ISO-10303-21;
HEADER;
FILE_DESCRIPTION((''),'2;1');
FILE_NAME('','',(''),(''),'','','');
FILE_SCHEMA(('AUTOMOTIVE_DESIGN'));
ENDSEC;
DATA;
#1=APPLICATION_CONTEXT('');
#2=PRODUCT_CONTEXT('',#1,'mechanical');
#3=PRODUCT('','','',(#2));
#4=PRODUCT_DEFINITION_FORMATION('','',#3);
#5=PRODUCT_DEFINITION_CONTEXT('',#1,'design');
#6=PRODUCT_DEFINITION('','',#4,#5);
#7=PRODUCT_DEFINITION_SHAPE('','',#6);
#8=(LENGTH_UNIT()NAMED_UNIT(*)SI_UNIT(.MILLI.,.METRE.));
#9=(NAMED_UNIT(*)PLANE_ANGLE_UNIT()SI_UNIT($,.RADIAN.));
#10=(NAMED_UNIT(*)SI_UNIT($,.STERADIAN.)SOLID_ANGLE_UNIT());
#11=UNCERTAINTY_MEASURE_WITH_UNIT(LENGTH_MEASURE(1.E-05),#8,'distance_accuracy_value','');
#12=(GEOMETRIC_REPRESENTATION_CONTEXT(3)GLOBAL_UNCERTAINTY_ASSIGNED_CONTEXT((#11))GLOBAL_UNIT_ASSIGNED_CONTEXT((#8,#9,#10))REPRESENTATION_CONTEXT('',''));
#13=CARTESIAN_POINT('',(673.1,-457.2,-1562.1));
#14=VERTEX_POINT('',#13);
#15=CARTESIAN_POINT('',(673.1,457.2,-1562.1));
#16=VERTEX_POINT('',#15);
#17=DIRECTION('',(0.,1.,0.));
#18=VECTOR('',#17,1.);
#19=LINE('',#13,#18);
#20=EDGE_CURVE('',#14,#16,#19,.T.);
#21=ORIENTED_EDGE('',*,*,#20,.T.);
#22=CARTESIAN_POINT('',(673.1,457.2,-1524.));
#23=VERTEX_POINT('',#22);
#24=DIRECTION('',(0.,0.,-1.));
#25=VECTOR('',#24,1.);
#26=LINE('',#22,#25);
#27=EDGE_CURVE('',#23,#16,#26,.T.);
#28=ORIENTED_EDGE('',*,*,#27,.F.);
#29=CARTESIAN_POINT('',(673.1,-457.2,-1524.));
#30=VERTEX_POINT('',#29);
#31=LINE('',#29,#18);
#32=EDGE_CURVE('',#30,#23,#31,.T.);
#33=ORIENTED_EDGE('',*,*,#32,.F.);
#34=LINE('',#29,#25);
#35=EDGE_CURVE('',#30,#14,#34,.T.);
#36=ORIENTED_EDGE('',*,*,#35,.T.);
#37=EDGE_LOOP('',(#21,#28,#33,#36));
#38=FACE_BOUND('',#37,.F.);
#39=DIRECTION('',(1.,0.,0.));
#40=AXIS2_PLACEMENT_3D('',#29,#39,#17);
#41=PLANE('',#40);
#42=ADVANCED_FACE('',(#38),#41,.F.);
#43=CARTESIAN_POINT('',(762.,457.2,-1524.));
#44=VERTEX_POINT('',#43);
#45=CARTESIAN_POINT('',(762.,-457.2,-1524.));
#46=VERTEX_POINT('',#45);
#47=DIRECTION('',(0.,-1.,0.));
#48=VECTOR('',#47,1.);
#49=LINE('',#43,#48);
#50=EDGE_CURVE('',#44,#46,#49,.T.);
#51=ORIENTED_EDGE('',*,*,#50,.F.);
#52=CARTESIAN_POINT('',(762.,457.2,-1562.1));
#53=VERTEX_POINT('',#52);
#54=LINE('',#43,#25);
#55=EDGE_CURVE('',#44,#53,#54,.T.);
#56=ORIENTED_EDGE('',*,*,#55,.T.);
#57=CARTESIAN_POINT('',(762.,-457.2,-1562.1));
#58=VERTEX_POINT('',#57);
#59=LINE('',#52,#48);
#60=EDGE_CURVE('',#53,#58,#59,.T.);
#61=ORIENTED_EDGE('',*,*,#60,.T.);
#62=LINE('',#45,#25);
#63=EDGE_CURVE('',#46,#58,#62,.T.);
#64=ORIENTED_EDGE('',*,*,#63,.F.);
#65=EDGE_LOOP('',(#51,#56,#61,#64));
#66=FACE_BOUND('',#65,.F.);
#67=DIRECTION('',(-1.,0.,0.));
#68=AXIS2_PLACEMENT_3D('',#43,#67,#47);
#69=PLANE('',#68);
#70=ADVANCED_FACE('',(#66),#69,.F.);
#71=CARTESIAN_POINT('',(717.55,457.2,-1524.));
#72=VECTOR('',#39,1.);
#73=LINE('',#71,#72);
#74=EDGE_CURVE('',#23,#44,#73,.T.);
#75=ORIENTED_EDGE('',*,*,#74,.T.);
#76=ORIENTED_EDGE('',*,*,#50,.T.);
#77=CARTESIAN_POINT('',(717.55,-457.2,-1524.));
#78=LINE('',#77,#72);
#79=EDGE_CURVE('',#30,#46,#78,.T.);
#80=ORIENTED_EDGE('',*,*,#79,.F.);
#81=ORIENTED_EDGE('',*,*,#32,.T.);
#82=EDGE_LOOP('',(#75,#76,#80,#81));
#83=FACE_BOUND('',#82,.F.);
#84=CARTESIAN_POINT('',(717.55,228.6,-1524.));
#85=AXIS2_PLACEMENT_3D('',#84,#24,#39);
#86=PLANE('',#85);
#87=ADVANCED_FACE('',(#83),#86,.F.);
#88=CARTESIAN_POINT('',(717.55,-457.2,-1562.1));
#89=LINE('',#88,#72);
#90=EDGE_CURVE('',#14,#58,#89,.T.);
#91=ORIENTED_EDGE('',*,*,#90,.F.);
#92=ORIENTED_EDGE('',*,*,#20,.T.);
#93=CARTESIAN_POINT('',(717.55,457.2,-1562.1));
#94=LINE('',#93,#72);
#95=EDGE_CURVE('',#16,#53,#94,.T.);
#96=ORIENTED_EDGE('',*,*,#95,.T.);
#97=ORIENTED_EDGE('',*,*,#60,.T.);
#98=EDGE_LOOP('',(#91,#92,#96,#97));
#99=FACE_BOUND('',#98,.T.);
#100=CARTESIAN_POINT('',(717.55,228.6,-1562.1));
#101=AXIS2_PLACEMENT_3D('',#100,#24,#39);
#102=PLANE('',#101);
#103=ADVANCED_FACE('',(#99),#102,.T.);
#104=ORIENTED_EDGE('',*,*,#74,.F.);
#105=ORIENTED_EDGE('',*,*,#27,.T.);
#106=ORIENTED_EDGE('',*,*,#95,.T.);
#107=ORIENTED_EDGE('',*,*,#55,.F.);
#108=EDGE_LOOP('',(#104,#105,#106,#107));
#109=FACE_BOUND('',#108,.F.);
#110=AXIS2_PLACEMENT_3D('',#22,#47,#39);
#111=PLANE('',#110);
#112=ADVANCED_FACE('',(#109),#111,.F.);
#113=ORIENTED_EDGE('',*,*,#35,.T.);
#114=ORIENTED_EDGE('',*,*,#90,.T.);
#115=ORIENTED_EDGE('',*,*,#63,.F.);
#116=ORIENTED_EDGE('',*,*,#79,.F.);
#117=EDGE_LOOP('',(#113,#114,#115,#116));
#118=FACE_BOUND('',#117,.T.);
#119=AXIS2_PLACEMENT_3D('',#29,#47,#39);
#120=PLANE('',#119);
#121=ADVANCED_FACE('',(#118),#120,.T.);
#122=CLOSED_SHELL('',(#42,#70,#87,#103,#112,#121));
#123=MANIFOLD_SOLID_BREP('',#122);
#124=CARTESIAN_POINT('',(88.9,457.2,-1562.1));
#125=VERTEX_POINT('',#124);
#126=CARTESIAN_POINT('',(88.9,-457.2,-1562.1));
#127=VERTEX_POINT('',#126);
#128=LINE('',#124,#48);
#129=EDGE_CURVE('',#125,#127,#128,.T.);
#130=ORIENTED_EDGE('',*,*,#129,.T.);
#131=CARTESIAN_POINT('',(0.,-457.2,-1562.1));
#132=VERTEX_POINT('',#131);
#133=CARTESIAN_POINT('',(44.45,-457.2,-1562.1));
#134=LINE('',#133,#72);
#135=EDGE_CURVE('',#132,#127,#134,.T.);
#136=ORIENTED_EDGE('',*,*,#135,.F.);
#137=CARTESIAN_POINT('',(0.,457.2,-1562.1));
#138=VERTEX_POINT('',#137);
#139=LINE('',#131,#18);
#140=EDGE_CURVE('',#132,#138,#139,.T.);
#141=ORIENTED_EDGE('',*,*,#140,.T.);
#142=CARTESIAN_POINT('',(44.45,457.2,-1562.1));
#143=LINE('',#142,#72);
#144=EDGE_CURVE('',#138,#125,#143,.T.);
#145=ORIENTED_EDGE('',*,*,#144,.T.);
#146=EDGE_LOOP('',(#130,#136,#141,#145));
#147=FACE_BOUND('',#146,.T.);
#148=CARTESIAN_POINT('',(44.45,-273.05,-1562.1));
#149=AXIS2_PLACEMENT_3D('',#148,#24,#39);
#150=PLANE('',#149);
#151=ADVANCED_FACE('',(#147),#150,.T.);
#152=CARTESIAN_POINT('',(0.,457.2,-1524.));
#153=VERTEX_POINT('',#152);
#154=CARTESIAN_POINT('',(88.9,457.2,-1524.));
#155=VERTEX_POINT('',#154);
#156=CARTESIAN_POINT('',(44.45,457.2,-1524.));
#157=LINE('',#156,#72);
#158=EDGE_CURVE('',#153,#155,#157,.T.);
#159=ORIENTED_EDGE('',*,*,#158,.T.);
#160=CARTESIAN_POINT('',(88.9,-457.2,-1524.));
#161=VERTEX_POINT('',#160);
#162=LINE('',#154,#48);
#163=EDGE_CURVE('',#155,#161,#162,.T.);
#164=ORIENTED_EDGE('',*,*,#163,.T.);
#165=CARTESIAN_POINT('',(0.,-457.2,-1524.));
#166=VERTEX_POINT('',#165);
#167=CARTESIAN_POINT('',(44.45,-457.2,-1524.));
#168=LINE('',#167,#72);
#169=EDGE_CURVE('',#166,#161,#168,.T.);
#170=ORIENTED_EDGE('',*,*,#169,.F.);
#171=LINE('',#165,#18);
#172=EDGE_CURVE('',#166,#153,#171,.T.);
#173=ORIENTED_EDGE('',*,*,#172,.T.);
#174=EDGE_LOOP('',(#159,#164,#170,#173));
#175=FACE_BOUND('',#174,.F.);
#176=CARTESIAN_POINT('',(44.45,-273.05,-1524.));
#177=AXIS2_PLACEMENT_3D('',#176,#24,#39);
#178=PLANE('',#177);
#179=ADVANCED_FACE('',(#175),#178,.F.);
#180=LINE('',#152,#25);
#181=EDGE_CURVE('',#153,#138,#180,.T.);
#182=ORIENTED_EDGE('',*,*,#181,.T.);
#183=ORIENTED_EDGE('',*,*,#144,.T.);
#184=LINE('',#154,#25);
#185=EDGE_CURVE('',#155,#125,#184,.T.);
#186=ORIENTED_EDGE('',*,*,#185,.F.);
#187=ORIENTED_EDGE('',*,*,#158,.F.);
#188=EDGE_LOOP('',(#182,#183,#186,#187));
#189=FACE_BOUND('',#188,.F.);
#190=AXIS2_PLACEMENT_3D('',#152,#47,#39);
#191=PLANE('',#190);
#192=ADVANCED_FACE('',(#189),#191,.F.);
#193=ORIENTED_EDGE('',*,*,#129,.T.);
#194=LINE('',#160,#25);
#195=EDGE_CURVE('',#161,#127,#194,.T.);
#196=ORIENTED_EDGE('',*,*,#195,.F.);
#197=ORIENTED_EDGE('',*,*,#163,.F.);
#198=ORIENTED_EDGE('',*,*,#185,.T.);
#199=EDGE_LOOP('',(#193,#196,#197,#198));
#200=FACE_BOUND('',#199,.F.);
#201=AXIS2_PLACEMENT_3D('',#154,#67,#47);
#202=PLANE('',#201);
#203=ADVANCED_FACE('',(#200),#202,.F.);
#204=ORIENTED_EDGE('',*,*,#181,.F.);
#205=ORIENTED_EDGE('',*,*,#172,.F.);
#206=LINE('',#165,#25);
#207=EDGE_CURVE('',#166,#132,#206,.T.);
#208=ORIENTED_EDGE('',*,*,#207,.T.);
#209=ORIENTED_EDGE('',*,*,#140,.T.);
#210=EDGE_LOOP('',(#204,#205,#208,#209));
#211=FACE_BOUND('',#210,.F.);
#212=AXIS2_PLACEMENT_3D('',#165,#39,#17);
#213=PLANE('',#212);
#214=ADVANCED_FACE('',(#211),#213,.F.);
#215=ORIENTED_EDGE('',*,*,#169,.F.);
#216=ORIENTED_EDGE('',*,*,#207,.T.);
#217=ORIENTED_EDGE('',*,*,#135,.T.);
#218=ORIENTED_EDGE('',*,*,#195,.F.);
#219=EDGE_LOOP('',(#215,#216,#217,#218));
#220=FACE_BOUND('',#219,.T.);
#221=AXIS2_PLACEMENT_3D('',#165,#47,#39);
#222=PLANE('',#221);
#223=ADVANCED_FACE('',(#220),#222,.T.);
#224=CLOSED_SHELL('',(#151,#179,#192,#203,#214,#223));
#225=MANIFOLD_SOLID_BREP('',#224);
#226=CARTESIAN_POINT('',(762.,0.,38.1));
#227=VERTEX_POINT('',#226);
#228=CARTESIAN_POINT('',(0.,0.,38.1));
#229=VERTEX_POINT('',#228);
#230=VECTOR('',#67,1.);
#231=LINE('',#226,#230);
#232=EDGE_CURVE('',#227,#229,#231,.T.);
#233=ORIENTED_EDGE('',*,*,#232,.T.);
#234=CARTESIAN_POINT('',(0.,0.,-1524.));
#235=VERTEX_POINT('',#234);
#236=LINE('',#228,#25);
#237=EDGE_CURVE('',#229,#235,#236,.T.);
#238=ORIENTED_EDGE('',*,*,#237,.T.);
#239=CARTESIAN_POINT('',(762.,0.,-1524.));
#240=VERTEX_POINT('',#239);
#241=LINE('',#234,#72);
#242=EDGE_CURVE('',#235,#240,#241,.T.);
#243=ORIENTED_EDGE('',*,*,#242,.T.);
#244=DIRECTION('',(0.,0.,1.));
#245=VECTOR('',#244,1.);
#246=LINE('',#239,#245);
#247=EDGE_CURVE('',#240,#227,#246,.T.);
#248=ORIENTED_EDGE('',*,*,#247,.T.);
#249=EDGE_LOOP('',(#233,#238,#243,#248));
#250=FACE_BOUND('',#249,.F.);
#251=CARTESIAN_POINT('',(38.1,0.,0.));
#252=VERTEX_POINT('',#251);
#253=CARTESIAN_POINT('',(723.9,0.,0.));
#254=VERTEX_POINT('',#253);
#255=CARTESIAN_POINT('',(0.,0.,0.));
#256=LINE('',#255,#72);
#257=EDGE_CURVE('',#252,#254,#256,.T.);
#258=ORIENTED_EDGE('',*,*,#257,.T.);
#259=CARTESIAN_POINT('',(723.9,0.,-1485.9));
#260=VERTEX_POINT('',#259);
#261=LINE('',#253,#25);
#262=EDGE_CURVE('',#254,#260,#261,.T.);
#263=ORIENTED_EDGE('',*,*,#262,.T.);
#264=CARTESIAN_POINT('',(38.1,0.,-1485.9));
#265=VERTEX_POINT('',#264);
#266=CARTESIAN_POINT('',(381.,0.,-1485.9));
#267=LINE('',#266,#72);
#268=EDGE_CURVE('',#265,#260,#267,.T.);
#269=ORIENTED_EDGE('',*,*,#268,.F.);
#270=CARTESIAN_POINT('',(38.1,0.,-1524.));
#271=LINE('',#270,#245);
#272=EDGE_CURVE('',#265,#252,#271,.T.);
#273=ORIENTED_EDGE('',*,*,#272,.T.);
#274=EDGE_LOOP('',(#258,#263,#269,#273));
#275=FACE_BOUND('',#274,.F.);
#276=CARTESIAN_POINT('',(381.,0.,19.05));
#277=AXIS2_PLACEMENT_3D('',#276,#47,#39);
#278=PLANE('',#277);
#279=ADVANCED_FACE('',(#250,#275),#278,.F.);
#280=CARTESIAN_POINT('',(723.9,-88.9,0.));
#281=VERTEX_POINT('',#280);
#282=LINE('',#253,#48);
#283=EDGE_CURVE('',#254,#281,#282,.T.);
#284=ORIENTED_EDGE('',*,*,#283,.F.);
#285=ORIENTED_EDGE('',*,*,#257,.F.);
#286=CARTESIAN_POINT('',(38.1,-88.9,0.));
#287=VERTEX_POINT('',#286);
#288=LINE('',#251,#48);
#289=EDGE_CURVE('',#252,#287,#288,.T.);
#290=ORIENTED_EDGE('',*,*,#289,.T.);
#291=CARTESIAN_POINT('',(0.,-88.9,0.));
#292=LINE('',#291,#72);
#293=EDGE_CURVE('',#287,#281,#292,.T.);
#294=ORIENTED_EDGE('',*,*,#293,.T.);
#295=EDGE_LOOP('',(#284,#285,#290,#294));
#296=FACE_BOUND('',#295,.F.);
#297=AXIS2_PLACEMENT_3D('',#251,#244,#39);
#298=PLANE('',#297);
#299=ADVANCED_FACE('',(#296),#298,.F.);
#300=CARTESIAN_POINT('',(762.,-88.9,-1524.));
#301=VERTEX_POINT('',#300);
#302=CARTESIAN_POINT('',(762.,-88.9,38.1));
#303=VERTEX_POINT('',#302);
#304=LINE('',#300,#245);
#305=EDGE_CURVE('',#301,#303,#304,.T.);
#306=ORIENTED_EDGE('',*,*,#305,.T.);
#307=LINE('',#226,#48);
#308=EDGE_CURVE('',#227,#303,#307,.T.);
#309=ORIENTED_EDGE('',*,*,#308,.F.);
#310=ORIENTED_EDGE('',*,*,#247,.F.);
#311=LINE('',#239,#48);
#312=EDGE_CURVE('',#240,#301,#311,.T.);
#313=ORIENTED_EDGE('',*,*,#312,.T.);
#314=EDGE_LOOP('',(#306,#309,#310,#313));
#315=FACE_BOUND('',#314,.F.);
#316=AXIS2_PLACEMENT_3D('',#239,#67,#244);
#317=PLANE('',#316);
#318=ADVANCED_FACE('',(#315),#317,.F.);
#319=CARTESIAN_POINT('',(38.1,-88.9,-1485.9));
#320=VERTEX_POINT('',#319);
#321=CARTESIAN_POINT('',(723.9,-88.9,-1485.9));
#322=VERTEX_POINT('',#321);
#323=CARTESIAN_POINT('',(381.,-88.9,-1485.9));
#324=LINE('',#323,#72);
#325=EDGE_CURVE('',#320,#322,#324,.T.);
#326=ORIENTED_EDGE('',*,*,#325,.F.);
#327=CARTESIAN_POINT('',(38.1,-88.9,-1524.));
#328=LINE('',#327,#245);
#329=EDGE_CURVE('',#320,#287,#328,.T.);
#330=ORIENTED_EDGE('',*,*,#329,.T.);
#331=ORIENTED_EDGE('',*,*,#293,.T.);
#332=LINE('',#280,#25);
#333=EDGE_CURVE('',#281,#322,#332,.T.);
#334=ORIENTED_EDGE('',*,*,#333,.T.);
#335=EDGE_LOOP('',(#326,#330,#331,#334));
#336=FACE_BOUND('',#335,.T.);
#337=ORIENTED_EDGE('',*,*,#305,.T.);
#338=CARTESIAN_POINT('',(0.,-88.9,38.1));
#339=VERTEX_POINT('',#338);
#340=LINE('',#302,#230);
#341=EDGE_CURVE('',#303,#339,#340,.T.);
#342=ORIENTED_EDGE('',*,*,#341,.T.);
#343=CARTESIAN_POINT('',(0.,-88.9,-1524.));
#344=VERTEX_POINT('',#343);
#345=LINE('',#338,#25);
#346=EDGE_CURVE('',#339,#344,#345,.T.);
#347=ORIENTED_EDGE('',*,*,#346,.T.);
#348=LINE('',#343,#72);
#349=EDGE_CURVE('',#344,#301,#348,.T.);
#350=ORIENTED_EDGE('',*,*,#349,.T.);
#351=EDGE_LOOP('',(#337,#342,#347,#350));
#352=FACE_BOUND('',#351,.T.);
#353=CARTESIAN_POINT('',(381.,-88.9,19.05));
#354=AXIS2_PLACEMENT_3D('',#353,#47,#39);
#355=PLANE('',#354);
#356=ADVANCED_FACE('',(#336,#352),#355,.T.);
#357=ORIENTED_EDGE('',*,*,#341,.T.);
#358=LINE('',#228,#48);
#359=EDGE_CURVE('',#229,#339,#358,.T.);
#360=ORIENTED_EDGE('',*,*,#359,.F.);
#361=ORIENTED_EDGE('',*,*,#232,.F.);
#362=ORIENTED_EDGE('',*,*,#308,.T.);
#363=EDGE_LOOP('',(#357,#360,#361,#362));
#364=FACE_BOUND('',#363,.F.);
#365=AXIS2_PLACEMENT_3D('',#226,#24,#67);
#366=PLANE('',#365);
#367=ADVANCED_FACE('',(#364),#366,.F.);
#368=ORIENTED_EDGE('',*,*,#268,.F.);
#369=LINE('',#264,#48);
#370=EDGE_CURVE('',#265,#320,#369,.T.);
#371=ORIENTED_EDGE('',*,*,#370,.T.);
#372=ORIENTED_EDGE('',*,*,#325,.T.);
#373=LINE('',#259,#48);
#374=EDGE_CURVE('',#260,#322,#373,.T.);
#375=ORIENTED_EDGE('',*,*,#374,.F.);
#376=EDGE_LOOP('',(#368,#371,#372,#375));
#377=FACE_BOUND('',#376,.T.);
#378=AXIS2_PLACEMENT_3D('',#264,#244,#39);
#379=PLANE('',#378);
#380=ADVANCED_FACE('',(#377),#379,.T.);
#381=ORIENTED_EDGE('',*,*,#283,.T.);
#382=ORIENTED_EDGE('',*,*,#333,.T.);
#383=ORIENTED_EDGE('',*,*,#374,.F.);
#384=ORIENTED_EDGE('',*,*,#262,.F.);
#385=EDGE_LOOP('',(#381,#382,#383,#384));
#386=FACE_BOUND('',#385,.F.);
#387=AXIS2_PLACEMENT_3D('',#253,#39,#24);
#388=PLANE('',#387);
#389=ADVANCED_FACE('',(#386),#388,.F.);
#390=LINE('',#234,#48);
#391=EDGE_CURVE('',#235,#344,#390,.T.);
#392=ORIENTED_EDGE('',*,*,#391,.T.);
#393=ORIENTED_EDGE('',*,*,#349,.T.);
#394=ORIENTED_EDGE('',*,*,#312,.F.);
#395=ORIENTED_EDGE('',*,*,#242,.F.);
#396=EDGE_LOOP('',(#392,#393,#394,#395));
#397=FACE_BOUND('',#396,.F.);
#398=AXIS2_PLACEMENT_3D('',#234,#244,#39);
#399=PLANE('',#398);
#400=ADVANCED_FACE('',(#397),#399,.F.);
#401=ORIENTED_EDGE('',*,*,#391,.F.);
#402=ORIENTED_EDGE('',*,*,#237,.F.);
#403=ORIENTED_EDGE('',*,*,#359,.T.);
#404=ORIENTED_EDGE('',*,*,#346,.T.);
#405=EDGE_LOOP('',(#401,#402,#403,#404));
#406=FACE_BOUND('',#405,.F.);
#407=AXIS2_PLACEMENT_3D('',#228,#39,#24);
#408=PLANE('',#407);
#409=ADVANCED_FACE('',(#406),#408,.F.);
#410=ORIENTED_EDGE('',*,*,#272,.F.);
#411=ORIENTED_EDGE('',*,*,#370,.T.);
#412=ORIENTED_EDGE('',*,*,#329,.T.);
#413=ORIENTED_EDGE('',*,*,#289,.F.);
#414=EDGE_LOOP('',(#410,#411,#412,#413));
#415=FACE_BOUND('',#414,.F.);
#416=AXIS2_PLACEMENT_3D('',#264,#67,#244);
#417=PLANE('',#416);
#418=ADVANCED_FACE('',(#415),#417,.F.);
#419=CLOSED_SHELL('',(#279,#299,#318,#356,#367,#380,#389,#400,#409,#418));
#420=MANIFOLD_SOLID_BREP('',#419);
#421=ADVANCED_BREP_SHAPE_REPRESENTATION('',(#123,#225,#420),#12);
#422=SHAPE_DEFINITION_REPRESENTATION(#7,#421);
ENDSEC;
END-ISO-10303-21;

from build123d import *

# Parameters (mm, degrees)
F0_W     = 685.8
F0_H     = 38.1
F1_DEPTH = 88.9
F2_W     = 88.9
F2_H     = 368.3
F2_H_2   = 457.2
F2_H_3   = 88.9
F3_DEPTH = 38.1


with BuildPart() as f1:
    # F0 (on Front) → F1 (new body)
    with BuildSketch(Plane.XZ):
        Polygon((0, 38.1), (0, 0), (38.1, 0), (723.9, 0), (762, 0), (762, 38.1), align=None)
        Polygon((38.1, 0), (0, 0), (0, -1524), (38.1, -1524), (38.1, -1485.9), align=None)
        Polygon((762, 0), (723.9, 0), (723.9, -1485.9), (723.9, -1524), (762, -1524), align=None)
        with Locations((381, -1504.95)):
            Rectangle(F0_W, F0_H)
    extrude(amount=F1_DEPTH)


with BuildPart() as f3:
    # F2 (on face) → F3 (new body)
    with BuildSketch(Plane(origin=(0, 0, -1524), x_dir=(1, 0, 0), z_dir=(0, 0, -1))):
        with Locations((44.45, 273.05)):
            Rectangle(F2_W, F2_H)
        with Locations((44.45, -228.6)):
            Rectangle(F2_W, F2_H_2)
        with Locations((44.45, 44.45)):
            Rectangle(F2_W, F2_H_3)
        with Locations((717.55, -228.6)):
            Rectangle(F2_W, F2_H_2)
        with Locations((717.55, 44.45)):
            Rectangle(F2_W, F2_H_3)
        with Locations((717.55, 273.05)):
            Rectangle(F2_W, F2_H)
    extrude(amount=F3_DEPTH)


solid = Compound([f1.part, f3.part])
